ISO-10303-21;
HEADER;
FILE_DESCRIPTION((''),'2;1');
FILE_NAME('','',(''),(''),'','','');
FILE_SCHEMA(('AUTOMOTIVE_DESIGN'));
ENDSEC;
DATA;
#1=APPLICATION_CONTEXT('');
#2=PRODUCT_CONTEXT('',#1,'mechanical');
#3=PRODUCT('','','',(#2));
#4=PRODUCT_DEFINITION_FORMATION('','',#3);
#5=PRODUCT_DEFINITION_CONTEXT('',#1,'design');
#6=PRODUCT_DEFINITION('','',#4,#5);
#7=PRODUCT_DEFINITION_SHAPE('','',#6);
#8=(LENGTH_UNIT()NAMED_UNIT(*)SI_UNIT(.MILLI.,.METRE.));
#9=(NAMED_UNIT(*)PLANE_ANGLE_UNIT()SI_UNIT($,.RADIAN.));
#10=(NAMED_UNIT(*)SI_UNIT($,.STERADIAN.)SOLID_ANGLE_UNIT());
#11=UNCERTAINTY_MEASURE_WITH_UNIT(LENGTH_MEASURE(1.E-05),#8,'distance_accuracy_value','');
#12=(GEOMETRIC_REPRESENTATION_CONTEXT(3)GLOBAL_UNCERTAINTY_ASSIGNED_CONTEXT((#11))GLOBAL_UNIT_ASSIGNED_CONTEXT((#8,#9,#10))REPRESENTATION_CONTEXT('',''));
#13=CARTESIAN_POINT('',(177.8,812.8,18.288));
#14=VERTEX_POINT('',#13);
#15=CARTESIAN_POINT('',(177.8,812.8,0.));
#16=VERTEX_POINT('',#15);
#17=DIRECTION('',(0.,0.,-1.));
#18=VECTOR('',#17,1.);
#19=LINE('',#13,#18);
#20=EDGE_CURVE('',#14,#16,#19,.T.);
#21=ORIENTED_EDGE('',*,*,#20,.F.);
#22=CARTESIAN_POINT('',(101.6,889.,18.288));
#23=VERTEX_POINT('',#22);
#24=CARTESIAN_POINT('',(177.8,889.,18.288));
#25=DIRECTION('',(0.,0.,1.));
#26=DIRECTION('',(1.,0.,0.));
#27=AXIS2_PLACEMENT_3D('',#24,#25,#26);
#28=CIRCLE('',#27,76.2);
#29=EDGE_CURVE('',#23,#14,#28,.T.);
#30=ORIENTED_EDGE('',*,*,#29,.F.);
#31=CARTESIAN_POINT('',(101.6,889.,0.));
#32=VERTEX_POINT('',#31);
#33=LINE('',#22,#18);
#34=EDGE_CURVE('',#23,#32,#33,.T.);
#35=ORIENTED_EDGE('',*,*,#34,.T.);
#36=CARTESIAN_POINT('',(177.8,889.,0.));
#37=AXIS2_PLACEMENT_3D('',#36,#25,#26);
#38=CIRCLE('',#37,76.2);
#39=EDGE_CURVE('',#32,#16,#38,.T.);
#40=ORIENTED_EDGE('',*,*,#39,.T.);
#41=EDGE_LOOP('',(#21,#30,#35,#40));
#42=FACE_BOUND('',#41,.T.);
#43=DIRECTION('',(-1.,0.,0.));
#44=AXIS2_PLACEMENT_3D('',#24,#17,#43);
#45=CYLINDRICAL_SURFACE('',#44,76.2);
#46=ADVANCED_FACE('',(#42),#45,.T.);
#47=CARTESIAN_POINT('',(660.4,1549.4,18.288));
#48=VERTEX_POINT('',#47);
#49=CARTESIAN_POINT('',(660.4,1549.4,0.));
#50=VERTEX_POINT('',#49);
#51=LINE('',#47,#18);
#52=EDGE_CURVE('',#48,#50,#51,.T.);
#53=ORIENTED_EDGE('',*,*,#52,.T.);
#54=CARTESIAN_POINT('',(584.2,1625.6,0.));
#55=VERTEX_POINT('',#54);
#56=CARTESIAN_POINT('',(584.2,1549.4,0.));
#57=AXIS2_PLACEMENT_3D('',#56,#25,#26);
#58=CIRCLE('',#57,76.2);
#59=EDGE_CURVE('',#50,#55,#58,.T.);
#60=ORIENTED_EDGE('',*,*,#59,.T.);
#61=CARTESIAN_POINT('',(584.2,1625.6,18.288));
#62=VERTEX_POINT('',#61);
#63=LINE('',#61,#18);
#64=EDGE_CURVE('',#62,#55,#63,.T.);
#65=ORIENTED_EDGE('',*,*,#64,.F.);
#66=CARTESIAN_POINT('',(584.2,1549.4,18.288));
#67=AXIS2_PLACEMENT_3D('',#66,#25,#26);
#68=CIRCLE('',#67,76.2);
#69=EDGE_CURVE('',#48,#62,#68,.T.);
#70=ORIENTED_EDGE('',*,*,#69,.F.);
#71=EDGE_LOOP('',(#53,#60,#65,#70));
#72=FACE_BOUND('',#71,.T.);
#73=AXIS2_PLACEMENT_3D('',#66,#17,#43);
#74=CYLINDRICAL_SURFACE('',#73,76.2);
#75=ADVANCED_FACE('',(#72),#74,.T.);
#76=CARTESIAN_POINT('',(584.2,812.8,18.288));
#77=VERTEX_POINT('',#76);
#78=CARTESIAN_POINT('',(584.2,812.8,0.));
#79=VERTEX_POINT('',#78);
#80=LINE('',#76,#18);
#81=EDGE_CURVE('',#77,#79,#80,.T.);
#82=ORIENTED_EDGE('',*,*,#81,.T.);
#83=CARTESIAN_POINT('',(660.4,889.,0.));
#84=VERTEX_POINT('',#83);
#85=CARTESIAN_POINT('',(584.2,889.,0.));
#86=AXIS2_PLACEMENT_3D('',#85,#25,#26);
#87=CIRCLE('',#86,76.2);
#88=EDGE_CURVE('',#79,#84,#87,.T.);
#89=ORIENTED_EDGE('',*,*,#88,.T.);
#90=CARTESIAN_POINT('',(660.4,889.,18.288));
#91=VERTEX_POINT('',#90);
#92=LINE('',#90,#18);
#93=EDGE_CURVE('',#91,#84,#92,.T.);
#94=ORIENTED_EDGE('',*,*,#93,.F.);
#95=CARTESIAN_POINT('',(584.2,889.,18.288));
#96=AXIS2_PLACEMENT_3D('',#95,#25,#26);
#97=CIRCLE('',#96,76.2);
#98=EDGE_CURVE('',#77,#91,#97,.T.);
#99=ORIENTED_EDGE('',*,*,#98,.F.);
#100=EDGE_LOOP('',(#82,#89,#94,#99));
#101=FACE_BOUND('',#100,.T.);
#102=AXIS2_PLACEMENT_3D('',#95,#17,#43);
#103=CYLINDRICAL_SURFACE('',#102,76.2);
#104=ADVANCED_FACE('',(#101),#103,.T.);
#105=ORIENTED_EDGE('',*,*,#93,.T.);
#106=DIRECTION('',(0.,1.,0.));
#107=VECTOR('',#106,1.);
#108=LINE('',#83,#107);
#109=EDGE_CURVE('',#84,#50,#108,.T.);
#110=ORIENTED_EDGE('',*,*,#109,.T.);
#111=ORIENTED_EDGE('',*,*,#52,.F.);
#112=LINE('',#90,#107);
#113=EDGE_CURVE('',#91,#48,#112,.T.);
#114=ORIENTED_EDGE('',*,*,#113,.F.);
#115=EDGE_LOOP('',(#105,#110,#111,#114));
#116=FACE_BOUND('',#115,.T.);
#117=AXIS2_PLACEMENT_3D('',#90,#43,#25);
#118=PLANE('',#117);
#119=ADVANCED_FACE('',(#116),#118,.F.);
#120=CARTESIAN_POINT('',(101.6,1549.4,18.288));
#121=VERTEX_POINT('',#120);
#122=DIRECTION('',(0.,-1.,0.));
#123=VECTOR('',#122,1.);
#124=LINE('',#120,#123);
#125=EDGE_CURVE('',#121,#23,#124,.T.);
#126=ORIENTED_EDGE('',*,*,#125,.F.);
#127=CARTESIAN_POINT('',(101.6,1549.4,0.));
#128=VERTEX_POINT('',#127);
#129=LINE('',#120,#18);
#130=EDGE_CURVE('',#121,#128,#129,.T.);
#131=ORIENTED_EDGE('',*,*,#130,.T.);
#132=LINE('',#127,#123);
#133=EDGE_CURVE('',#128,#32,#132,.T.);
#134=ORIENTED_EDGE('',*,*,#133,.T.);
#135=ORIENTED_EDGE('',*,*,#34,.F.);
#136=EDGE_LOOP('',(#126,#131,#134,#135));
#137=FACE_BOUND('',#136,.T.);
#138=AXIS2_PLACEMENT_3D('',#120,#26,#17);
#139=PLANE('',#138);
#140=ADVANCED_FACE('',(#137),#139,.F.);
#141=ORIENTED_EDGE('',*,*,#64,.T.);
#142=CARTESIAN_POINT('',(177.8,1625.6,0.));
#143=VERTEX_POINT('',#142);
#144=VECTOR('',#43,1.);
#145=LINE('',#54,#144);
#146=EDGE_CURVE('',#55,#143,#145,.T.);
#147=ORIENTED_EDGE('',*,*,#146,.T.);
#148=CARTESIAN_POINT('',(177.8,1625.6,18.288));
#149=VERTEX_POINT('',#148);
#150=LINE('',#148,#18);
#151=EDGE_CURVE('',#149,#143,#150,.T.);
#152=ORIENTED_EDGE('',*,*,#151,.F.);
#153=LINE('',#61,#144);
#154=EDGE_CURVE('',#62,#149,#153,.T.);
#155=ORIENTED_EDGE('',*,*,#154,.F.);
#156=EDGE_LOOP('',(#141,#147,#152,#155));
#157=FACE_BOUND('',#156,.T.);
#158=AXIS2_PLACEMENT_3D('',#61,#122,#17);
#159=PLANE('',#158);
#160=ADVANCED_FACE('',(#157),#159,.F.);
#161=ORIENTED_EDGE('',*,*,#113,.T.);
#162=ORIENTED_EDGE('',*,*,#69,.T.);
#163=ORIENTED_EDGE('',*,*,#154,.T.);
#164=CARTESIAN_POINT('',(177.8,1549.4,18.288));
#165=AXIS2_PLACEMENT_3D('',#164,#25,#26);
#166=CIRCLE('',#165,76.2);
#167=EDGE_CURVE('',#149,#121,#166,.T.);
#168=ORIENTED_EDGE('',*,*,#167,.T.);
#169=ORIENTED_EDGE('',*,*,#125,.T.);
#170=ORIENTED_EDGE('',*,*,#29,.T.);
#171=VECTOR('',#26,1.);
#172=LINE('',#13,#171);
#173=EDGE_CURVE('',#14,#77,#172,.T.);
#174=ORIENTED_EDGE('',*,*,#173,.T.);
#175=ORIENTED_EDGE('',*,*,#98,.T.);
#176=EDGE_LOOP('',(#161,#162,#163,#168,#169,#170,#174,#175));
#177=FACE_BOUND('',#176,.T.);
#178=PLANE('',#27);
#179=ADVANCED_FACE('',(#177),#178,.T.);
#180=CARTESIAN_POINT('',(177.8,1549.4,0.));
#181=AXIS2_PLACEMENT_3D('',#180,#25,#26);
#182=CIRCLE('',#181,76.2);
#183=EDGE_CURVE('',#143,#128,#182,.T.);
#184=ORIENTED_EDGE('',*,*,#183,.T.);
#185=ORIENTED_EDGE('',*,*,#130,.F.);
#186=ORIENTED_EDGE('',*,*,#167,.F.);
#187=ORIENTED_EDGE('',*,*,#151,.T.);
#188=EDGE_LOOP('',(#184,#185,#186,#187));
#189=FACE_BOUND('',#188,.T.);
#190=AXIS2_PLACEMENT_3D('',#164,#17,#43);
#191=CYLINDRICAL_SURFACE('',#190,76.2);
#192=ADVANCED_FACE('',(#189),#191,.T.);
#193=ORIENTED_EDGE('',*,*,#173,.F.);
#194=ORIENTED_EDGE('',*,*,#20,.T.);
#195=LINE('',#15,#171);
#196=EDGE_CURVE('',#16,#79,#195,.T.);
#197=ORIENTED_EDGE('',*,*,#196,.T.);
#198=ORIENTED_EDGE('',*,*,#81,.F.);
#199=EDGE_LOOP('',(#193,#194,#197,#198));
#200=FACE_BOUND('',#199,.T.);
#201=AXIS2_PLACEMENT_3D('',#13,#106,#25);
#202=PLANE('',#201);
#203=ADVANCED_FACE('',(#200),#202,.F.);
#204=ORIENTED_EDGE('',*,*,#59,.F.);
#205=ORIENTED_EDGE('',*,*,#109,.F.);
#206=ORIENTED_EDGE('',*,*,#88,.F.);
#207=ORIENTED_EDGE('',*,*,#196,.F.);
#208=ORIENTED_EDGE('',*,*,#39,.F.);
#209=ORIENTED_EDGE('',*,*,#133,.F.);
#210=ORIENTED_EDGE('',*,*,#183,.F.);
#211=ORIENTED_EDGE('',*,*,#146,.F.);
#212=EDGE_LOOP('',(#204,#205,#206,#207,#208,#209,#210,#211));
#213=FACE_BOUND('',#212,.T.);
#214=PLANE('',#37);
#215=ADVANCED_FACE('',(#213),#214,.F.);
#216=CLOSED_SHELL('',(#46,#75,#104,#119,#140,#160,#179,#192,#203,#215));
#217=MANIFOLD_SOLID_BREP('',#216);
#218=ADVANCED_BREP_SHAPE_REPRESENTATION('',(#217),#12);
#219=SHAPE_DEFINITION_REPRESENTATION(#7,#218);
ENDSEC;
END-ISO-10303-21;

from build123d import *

# Parameters (mm, degrees)
BOSS_EXTRUDE1_DEPTH = 18.288


with BuildPart() as part:
    # Model → Boss-Extrude1 (new body)
    with BuildSketch(Plane.XY):
        with BuildLine():
            Line((177.8, 812.8), (584.2, 812.8))
            ThreePointArc((584.2, 812.8), (638.081536726, 835.118463274), (660.4, 889))
            Line((660.4, 889), (660.4, 1549.4))
            ThreePointArc((660.4, 1549.4), (638.081536726, 1603.281536726), (584.2, 1625.6))
            Line((584.2, 1625.6), (177.8, 1625.6))
            ThreePointArc((177.8, 1625.6), (123.918463274, 1603.281536726), (101.6, 1549.4))
            Line((101.6, 1549.4), (101.6, 889))
            ThreePointArc((101.6, 889), (123.918463274, 835.118463274), (177.8, 812.8))
        make_face()
    extrude(amount=BOSS_EXTRUDE1_DEPTH)


solid = part.part
